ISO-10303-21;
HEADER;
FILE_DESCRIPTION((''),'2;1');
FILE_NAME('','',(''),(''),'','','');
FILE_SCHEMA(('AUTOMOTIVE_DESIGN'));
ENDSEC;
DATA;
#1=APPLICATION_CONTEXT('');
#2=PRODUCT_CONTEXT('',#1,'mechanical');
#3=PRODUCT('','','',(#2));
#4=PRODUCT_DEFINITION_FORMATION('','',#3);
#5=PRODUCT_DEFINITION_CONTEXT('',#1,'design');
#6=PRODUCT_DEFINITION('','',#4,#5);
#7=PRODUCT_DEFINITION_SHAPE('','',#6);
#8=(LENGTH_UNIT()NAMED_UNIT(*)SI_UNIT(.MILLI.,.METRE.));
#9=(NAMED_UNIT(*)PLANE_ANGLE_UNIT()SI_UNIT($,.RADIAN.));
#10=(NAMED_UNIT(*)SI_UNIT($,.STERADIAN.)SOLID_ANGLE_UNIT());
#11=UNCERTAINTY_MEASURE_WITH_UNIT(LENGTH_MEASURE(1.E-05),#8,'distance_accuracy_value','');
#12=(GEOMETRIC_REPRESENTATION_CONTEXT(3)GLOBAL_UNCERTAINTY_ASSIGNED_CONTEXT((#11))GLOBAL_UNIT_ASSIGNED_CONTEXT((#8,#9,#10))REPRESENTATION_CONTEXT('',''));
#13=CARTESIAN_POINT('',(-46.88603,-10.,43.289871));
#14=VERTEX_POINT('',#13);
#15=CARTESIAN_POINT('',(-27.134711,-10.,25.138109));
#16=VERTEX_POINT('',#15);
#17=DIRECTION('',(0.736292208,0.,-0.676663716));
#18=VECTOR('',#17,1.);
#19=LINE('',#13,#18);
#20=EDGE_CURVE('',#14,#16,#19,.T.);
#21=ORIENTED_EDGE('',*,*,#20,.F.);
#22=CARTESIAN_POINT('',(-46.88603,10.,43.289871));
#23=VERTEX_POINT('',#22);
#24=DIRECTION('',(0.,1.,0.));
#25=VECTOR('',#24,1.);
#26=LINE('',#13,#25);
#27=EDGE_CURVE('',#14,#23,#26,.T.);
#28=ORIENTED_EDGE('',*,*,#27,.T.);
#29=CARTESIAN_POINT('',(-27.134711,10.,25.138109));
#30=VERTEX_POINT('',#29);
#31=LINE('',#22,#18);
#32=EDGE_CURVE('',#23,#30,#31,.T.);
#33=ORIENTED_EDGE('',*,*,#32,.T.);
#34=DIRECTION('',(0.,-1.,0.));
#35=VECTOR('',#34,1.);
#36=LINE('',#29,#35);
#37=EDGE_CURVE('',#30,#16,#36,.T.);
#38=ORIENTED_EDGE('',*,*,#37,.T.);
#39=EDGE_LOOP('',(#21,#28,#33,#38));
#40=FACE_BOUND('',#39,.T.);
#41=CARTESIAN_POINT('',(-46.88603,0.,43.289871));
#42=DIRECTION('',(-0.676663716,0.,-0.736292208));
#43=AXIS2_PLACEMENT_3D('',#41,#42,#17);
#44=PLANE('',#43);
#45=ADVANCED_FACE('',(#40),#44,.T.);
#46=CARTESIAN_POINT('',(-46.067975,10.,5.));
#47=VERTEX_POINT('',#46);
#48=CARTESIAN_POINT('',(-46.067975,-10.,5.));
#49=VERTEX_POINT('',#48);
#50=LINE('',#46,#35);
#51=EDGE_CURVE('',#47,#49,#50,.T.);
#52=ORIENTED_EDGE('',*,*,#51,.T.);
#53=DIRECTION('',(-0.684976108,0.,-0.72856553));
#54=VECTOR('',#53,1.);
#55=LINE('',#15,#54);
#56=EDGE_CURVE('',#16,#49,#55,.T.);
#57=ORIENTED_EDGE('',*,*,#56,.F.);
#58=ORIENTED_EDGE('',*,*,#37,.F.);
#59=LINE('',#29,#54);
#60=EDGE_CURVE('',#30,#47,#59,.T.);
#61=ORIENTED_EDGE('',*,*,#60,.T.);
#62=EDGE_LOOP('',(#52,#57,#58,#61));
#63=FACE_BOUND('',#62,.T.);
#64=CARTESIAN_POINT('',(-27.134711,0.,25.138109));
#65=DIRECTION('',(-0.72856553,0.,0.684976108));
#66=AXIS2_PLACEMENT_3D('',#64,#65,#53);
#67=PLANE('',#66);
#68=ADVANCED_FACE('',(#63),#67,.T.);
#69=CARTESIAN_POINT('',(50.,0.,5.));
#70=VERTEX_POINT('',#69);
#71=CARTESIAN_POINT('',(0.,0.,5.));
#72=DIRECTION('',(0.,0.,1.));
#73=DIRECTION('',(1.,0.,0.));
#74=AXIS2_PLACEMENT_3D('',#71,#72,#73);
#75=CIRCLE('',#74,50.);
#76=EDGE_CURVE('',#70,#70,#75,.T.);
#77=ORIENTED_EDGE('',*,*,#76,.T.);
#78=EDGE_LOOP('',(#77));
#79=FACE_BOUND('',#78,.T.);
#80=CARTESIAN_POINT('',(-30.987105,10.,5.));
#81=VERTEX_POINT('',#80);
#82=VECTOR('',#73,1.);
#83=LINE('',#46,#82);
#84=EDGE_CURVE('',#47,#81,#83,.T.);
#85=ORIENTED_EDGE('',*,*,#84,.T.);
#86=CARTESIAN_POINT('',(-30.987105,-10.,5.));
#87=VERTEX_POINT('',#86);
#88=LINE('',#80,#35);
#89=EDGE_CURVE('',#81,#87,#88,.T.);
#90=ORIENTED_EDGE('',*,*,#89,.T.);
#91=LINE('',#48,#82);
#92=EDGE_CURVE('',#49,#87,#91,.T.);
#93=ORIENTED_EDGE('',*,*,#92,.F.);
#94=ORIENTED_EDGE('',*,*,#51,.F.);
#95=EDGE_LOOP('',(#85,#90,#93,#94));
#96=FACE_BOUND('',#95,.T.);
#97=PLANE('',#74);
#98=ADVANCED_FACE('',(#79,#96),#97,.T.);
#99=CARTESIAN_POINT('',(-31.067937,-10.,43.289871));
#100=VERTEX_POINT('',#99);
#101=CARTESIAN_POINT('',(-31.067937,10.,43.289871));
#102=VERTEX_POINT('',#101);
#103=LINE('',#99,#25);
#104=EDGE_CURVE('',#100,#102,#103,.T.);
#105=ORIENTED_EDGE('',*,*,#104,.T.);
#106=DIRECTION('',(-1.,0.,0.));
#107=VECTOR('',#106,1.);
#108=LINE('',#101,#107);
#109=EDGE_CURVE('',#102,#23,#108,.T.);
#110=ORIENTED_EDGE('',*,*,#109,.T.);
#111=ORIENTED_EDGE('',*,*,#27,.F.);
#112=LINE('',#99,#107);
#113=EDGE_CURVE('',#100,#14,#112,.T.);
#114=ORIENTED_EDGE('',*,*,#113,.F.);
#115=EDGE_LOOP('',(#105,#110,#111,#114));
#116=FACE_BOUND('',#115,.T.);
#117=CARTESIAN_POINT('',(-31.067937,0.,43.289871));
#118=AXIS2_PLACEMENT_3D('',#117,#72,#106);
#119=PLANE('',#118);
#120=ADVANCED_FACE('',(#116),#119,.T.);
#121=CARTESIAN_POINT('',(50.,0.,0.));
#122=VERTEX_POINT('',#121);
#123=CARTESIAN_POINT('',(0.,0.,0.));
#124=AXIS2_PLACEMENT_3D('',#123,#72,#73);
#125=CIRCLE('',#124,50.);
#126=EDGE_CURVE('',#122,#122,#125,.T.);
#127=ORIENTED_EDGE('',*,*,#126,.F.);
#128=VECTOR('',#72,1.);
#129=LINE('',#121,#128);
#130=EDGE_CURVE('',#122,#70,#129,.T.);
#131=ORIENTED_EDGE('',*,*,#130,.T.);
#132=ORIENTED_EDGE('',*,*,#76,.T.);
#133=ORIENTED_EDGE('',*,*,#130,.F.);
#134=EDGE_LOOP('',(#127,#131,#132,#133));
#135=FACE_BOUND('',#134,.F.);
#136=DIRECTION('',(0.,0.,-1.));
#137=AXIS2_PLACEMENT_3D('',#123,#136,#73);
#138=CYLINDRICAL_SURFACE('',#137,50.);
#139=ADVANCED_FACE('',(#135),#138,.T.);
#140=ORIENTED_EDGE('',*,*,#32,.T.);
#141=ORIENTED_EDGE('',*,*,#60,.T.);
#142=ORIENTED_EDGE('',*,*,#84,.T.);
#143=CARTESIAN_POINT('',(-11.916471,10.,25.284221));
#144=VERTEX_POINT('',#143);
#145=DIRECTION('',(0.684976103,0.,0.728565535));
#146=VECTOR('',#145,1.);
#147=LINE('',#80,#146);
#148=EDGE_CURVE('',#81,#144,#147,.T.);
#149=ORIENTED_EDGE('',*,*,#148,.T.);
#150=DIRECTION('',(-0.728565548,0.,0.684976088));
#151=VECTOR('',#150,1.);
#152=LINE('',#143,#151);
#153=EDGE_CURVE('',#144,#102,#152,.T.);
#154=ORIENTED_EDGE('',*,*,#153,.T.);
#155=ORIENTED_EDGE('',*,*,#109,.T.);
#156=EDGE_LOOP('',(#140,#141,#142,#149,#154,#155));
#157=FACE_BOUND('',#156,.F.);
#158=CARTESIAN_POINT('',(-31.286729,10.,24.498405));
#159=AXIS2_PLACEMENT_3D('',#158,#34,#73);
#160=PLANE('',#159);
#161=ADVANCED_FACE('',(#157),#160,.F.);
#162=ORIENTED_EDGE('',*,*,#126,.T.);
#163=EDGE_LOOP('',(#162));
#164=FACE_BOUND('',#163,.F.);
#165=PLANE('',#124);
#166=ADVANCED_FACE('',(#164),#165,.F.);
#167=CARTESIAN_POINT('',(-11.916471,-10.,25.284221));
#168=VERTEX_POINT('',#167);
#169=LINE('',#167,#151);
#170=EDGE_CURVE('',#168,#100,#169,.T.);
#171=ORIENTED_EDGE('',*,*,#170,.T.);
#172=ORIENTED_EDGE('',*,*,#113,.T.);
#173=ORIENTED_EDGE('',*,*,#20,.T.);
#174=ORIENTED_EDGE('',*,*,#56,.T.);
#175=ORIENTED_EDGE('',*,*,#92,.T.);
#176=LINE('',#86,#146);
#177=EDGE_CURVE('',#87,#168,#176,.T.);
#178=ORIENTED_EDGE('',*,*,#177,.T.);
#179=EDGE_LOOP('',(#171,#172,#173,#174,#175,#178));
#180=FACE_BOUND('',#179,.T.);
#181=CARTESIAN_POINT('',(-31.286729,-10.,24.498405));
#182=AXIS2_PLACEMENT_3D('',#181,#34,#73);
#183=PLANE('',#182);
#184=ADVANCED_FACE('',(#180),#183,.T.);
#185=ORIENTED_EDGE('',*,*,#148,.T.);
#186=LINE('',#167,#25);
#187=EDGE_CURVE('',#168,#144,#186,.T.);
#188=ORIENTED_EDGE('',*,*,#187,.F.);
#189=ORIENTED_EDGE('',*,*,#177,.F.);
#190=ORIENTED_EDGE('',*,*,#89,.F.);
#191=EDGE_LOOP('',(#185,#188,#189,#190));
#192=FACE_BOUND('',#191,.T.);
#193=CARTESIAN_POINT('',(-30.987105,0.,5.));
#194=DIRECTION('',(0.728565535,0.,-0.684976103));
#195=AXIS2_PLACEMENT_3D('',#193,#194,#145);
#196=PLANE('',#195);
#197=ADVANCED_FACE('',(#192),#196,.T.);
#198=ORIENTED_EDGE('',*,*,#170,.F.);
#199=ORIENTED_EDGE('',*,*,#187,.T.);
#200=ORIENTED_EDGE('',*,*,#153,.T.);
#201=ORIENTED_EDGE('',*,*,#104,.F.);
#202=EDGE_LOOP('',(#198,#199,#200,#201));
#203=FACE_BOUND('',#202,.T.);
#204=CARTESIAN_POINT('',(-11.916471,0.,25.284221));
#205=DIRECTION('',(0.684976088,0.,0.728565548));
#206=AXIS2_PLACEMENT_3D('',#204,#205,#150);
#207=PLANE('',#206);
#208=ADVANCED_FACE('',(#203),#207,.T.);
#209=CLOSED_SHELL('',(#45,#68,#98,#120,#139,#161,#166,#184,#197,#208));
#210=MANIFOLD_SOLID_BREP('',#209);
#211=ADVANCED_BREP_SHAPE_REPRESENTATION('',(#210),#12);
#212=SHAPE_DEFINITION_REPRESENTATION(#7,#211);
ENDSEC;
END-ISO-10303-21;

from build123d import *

# Parameters (mm, degrees)
F2_R     = 50
F3_DEPTH = 5
F6_DEPTH = 10


with BuildPart() as f3:
    # F2 (on face) → F3 (new body)
    with BuildSketch(Plane.XY):
        Circle(F2_R)
    extrude(amount=F3_DEPTH)

    # F5 (on face) → F6 (join, symmetric)
    with BuildSketch(Plane.XZ):
        Polygon((-46.88603, 43.289871), (-27.134711, 25.138109), (-46.067975, 5), (-30.987105, 5), (-11.916471, 25.284221), (-31.067937, 43.289871), align=None)
    extrude(amount=F6_DEPTH, both=True)


solid = f3.part
